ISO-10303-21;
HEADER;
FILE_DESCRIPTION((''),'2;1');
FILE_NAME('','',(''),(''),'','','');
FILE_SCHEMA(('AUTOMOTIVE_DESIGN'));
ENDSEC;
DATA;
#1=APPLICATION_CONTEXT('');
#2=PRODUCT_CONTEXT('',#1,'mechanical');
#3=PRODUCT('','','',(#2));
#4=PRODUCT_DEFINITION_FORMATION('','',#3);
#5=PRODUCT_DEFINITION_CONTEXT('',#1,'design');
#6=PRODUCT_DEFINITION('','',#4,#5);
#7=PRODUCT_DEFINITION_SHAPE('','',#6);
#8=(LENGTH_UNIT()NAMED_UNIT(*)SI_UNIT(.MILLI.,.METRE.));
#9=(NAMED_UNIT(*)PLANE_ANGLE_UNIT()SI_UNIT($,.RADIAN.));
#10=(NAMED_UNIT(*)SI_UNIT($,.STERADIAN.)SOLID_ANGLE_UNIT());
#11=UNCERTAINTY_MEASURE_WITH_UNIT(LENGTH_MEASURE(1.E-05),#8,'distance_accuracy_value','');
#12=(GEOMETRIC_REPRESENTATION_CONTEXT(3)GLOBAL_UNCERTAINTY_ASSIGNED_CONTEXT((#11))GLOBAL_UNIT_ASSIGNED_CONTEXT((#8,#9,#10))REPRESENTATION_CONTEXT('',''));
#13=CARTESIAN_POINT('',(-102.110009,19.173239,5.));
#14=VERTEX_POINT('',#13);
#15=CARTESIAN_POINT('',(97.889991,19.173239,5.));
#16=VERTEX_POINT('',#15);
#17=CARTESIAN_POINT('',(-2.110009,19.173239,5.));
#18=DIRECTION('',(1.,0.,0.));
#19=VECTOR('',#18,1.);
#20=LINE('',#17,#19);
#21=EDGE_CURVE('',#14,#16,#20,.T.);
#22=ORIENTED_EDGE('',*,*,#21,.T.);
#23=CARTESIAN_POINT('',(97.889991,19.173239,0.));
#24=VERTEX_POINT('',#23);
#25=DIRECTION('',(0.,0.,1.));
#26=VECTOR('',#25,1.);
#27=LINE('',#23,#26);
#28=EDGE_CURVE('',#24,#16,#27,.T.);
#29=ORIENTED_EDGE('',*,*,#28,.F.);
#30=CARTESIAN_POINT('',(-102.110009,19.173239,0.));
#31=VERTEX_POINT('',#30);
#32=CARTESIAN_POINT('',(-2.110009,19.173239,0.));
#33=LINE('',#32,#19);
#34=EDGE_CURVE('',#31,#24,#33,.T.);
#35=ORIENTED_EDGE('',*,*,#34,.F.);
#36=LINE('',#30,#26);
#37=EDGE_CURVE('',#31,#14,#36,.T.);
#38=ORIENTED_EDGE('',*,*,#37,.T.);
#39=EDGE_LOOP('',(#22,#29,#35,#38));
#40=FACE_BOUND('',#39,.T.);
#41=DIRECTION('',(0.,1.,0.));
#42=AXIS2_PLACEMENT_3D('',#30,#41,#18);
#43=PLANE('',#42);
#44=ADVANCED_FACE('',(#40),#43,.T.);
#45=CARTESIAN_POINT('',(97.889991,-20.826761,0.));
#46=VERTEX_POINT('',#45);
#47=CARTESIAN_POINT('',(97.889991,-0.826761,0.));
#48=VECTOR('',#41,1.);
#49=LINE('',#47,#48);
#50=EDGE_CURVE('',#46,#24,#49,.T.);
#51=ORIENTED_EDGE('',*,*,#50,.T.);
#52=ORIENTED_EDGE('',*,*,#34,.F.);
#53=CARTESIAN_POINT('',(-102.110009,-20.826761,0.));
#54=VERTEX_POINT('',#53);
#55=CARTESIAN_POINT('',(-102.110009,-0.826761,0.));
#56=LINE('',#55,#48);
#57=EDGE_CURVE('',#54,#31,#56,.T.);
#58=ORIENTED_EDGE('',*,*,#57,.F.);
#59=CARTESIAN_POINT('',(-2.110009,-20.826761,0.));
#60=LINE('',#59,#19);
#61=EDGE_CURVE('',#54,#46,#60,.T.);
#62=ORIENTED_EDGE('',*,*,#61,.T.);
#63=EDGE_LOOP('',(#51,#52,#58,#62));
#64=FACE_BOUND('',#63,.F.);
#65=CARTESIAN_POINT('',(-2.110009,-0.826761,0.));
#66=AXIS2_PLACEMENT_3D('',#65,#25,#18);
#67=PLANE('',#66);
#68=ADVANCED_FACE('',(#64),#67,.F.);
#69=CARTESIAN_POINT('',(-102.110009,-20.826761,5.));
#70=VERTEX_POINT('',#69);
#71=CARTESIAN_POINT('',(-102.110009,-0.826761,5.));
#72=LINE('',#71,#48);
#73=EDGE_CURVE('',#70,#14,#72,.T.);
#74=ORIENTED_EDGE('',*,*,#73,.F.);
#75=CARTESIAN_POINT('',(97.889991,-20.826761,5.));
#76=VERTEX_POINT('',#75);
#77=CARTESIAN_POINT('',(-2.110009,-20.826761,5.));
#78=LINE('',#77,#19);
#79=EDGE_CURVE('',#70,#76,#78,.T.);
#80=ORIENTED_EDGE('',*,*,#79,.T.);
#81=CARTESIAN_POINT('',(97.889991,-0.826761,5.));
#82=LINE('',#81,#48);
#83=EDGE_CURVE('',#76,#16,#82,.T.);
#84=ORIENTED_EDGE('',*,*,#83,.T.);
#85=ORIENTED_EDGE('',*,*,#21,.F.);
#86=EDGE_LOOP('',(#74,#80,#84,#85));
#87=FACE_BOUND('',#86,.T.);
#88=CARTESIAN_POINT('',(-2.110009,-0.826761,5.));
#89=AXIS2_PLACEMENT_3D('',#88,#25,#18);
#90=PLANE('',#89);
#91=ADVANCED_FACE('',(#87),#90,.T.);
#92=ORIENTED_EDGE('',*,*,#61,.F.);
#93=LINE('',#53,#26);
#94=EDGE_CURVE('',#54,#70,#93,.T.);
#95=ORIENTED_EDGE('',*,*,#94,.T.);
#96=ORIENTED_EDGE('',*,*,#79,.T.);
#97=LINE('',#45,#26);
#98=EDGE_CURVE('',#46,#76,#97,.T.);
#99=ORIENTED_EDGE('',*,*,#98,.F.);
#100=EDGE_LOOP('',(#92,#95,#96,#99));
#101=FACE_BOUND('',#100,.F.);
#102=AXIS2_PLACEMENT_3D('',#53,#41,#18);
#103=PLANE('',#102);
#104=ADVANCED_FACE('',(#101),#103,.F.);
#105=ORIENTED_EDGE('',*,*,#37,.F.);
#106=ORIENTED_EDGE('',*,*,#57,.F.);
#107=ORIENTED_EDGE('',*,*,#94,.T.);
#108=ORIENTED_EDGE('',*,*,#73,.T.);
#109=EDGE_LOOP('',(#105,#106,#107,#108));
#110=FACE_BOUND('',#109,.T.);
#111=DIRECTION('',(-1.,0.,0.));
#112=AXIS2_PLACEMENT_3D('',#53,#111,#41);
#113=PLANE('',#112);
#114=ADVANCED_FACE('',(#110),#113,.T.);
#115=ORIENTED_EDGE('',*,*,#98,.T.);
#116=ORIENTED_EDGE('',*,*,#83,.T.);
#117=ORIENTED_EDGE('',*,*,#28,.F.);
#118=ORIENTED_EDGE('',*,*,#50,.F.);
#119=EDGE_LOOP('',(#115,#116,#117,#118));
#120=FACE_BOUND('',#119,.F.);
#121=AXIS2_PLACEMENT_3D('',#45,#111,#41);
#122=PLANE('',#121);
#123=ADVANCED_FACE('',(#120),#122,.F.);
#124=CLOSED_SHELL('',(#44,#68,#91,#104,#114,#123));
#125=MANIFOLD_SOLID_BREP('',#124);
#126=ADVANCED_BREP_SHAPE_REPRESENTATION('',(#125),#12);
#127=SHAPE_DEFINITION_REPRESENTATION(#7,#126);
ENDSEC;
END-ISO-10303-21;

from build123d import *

# Parameters (mm, degrees)
SKETCH_W      = 200
SKETCH_H      = 40
EXTRUDE_DEPTH = 5


with BuildPart() as part:
    # Sketch → Extrude (new body)
    with BuildSketch(Plane.XY):
        with Locations((-2.110009, -0.826761)):
            Rectangle(SKETCH_W, SKETCH_H)
    extrude(amount=EXTRUDE_DEPTH)


solid = part.part
